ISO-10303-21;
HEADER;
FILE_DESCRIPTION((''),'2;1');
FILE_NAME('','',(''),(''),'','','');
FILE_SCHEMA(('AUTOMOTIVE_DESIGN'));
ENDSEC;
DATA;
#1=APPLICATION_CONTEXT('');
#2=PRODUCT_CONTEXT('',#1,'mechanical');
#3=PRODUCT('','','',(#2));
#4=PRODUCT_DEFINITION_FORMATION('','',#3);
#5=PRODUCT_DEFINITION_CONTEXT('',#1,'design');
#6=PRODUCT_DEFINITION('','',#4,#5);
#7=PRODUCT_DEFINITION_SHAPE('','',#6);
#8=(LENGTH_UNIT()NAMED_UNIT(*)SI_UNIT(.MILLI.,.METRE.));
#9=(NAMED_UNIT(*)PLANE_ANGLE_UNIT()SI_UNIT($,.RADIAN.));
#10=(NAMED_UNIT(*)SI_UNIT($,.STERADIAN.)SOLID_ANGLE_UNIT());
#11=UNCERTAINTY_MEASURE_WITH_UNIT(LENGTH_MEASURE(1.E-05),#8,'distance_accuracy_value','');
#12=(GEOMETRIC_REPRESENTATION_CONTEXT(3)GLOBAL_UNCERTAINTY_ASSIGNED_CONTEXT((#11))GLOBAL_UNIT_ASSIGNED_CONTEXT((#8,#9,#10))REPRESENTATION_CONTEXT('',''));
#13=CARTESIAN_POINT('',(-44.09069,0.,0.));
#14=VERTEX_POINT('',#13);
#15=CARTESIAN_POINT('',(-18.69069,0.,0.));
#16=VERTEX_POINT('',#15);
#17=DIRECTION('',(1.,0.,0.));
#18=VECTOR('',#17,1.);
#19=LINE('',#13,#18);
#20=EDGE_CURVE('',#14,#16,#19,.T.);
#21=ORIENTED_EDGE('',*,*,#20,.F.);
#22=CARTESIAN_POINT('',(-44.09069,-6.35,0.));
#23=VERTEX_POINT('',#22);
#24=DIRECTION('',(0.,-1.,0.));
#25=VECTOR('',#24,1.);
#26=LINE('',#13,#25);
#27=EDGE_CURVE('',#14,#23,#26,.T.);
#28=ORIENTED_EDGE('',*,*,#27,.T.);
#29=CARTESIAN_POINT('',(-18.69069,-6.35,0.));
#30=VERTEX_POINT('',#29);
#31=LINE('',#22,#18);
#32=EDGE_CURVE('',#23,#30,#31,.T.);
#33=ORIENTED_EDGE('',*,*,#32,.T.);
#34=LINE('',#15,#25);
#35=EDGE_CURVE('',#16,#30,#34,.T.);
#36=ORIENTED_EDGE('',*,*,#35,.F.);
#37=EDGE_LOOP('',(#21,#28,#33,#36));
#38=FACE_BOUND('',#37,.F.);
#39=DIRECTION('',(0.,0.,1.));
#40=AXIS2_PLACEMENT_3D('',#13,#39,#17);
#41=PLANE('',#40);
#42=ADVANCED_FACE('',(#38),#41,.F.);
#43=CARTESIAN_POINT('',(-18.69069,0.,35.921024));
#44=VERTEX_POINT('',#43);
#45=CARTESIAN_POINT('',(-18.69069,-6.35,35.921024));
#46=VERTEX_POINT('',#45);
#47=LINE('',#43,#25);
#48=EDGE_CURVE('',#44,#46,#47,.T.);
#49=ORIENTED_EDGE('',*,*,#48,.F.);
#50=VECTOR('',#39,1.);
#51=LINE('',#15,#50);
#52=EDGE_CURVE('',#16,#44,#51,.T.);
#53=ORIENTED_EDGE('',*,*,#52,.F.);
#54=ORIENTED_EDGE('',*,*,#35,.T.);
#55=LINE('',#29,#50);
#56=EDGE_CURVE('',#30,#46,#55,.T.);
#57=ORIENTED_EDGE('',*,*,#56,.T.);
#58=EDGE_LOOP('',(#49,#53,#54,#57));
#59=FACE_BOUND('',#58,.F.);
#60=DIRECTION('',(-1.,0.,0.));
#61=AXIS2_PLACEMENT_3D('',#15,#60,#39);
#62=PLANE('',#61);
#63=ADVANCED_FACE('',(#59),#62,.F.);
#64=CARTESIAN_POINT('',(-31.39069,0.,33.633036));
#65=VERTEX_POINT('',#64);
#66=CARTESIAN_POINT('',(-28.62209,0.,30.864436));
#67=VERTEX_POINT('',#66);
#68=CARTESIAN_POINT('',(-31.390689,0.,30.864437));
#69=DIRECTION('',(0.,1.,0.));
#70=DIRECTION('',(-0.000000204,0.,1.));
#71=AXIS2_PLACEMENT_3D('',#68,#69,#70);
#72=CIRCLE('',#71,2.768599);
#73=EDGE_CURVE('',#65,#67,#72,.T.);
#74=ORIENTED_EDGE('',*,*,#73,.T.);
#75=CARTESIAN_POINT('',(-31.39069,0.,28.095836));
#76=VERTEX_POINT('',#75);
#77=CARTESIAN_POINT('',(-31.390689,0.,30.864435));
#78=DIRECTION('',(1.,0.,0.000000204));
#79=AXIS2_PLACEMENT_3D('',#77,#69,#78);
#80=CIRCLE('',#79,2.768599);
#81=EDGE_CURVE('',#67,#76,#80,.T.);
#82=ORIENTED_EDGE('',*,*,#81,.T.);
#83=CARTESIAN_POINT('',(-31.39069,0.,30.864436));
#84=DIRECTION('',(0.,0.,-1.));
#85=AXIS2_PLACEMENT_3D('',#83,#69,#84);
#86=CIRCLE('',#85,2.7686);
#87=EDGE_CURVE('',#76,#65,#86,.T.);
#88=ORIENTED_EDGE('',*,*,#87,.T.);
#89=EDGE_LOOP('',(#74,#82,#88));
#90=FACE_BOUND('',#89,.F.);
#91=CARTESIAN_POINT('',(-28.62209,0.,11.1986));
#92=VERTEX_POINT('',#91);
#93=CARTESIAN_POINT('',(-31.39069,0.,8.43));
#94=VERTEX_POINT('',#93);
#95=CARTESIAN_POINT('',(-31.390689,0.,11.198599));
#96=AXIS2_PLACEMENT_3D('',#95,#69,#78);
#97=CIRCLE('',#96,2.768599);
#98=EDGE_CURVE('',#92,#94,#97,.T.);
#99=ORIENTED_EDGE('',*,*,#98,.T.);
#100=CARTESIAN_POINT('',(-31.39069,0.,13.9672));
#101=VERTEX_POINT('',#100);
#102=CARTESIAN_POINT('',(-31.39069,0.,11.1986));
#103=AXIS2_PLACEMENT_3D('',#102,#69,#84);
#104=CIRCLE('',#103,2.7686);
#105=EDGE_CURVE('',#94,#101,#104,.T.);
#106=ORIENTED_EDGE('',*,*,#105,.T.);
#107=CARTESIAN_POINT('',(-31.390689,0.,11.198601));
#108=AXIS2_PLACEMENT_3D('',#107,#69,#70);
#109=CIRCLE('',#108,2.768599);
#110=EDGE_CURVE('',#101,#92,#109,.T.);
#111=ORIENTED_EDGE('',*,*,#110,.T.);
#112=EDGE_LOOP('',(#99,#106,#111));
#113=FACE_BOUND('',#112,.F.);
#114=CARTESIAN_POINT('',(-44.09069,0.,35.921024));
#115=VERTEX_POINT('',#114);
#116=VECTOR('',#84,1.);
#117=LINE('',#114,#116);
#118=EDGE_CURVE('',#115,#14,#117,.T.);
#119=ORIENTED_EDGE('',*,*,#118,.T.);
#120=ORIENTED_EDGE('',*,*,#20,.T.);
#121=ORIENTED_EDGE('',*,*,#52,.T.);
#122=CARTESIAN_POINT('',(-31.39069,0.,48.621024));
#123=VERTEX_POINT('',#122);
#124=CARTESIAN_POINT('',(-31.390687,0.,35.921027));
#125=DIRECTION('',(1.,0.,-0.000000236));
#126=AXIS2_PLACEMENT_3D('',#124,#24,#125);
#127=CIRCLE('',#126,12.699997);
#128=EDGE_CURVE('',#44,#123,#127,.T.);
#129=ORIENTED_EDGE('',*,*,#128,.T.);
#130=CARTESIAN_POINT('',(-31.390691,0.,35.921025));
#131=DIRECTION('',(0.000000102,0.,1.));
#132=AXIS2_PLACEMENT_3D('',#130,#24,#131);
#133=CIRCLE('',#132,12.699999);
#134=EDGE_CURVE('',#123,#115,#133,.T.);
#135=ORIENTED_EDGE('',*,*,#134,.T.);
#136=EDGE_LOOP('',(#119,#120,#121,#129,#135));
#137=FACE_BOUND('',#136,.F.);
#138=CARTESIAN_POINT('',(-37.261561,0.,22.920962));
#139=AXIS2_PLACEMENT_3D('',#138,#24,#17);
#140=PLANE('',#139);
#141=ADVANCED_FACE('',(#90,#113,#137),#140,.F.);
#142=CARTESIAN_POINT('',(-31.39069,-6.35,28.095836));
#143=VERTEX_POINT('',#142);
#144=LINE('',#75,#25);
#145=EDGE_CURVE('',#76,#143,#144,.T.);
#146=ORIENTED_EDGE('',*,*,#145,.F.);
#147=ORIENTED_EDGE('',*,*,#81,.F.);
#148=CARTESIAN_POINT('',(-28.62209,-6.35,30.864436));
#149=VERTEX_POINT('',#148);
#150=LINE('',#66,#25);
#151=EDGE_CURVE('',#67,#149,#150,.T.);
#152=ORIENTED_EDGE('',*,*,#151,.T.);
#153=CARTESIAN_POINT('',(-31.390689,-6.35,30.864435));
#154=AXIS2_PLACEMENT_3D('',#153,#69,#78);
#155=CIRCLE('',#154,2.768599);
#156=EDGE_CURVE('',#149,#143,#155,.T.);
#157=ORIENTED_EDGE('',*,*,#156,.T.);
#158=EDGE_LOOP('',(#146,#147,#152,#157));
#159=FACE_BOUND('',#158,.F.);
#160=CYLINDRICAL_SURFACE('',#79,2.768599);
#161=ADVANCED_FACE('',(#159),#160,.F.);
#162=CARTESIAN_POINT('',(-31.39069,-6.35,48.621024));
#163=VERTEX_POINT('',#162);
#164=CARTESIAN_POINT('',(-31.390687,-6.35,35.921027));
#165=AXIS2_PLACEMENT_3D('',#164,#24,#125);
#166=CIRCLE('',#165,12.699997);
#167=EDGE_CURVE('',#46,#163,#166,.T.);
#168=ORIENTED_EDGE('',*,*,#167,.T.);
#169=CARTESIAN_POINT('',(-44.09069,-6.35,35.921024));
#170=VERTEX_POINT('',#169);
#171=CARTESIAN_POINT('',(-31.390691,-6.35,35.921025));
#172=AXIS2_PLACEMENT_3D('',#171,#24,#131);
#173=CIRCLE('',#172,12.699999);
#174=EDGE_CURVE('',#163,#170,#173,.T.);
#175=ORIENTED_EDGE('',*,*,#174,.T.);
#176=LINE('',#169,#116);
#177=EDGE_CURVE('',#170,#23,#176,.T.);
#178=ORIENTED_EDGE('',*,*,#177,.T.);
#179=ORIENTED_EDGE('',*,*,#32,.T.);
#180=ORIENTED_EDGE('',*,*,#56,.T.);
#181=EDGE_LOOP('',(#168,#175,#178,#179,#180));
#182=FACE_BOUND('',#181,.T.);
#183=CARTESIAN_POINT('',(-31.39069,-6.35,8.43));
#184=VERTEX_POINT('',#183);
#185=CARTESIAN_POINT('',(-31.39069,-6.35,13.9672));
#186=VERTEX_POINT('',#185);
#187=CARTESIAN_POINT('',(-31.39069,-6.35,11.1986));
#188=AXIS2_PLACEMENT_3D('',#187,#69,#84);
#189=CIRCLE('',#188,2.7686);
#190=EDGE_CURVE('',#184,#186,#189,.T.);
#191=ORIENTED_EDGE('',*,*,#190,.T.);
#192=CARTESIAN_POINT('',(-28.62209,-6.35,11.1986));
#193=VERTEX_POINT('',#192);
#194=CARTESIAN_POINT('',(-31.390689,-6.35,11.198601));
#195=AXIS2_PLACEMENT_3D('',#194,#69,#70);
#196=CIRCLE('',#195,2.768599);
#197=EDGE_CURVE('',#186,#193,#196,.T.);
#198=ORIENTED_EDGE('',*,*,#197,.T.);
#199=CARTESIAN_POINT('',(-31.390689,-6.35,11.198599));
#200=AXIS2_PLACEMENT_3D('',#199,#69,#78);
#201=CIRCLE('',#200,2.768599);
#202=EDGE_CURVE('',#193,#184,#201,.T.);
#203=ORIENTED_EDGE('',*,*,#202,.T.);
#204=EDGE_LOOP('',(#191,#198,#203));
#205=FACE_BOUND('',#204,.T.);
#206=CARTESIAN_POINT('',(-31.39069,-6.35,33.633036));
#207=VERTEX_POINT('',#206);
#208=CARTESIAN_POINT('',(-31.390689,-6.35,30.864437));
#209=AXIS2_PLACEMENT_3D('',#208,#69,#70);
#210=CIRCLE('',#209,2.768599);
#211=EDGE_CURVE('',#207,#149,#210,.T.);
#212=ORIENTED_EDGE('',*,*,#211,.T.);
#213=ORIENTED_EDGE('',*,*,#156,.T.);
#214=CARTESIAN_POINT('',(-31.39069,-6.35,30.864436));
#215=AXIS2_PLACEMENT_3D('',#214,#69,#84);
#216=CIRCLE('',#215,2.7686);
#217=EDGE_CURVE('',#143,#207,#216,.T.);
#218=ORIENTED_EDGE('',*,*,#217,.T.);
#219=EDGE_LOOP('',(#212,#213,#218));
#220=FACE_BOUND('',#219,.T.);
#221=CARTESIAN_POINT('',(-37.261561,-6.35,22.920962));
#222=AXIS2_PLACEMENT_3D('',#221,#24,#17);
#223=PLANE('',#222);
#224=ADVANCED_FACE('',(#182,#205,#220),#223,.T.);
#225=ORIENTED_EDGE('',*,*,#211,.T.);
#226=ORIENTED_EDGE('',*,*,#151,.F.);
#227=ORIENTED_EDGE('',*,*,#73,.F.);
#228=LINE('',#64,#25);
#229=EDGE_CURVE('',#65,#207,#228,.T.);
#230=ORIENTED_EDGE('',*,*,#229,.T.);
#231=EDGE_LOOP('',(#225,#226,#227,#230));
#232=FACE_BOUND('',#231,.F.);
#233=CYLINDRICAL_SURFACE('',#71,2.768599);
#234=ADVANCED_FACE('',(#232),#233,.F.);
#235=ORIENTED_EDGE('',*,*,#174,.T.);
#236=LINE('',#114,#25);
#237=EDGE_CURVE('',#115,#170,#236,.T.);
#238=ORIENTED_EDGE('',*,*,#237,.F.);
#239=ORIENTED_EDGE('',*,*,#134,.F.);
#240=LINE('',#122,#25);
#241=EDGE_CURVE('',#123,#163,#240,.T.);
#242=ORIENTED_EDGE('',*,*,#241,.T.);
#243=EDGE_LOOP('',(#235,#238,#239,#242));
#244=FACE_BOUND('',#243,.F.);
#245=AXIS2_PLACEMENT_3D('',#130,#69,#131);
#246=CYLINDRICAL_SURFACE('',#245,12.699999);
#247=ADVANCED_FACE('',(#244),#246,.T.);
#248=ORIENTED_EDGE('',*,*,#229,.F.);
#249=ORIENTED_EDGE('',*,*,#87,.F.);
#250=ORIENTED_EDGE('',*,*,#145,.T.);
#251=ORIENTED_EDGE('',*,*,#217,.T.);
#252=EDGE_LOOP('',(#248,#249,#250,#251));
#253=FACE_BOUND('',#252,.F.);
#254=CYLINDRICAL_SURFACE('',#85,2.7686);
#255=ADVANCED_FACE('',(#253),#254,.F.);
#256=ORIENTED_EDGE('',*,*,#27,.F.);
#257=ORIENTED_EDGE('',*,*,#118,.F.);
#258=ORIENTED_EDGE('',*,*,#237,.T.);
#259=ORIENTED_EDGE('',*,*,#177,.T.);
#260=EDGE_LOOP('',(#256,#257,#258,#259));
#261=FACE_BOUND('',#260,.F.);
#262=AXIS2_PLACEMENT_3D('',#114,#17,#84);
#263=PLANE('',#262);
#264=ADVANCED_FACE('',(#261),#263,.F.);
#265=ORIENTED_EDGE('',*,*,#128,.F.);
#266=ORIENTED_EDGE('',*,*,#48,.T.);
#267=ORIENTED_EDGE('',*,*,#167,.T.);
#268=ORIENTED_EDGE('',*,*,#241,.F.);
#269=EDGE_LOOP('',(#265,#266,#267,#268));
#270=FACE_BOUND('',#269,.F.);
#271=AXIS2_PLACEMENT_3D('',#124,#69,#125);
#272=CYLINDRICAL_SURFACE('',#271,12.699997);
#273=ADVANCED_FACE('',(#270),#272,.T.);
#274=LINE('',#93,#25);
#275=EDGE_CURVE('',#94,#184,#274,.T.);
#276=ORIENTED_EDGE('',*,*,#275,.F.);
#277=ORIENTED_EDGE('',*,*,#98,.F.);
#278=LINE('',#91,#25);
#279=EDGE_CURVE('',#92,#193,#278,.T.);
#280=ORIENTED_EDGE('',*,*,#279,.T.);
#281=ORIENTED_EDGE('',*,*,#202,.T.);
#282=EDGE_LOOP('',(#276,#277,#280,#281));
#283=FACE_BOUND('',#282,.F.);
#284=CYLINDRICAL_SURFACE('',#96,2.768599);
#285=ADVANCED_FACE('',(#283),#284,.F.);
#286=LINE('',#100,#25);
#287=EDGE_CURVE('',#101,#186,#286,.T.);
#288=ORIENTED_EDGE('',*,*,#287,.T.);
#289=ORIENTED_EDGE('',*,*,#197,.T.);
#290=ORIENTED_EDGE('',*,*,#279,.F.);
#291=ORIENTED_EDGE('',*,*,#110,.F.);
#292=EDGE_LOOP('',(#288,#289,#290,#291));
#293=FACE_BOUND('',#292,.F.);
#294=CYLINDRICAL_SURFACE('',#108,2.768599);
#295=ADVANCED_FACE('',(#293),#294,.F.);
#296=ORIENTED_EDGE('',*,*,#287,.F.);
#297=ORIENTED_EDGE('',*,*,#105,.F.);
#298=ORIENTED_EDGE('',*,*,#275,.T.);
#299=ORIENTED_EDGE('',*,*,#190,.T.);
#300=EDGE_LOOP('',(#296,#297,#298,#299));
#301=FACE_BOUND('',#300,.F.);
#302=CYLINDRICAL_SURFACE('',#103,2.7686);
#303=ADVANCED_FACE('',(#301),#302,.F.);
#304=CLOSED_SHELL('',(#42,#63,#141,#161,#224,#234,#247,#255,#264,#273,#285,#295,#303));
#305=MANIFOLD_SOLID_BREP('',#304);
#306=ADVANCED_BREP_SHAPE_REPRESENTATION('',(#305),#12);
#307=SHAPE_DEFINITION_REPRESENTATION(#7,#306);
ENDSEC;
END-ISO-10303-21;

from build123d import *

# Parameters (mm, degrees)
F1_DEPTH = 6.35


with BuildPart() as f1:
    # F0 (on Front) → F1 (new body)
    with BuildSketch(Plane.XZ):
        with BuildLine():
            Line((-44.09069, 35.921024), (-44.09069, 0))
            Line((-44.09069, 0), (-31.39069, 0))
            Line((-31.39069, 0), (-31.39069, 8.43))
            ThreePointArc((-31.39069, 8.43), (-34.15929, 11.1986), (-31.39069, 13.9672))
            Line((-31.39069, 13.9672), (-31.39069, 28.095836))
            ThreePointArc((-31.39069, 28.095836), (-34.15929, 30.864436), (-31.39069, 33.633036))
            Line((-31.39069, 33.633036), (-31.39069, 48.621024))
            ThreePointArc((-31.39069, 48.621024), (-40.370946, 44.901281), (-44.09069, 35.921024))
        make_face()
        with BuildLine():
            Line((-31.39069, 8.43), (-31.39069, 0))
            Line((-31.39069, 0), (-18.69069, 0))
            Line((-18.69069, 0), (-18.69069, 35.921024))
            ThreePointArc((-18.69069, 35.921024), (-22.410433, 44.901281), (-31.39069, 48.621024))
            Line((-31.39069, 48.621024), (-31.39069, 33.633036))
            ThreePointArc((-31.39069, 33.633036), (-29.432994, 32.822132), (-28.62209, 30.864436))
            ThreePointArc((-28.62209, 30.864436), (-29.432994, 28.90674), (-31.39069, 28.095836))
            Line((-31.39069, 28.095836), (-31.39069, 13.9672))
            ThreePointArc((-31.39069, 13.9672), (-29.432994, 13.156296), (-28.62209, 11.1986))
            ThreePointArc((-28.62209, 11.1986), (-29.432994, 9.240904), (-31.39069, 8.43))
        make_face()
    extrude(amount=F1_DEPTH)


solid = f1.part
